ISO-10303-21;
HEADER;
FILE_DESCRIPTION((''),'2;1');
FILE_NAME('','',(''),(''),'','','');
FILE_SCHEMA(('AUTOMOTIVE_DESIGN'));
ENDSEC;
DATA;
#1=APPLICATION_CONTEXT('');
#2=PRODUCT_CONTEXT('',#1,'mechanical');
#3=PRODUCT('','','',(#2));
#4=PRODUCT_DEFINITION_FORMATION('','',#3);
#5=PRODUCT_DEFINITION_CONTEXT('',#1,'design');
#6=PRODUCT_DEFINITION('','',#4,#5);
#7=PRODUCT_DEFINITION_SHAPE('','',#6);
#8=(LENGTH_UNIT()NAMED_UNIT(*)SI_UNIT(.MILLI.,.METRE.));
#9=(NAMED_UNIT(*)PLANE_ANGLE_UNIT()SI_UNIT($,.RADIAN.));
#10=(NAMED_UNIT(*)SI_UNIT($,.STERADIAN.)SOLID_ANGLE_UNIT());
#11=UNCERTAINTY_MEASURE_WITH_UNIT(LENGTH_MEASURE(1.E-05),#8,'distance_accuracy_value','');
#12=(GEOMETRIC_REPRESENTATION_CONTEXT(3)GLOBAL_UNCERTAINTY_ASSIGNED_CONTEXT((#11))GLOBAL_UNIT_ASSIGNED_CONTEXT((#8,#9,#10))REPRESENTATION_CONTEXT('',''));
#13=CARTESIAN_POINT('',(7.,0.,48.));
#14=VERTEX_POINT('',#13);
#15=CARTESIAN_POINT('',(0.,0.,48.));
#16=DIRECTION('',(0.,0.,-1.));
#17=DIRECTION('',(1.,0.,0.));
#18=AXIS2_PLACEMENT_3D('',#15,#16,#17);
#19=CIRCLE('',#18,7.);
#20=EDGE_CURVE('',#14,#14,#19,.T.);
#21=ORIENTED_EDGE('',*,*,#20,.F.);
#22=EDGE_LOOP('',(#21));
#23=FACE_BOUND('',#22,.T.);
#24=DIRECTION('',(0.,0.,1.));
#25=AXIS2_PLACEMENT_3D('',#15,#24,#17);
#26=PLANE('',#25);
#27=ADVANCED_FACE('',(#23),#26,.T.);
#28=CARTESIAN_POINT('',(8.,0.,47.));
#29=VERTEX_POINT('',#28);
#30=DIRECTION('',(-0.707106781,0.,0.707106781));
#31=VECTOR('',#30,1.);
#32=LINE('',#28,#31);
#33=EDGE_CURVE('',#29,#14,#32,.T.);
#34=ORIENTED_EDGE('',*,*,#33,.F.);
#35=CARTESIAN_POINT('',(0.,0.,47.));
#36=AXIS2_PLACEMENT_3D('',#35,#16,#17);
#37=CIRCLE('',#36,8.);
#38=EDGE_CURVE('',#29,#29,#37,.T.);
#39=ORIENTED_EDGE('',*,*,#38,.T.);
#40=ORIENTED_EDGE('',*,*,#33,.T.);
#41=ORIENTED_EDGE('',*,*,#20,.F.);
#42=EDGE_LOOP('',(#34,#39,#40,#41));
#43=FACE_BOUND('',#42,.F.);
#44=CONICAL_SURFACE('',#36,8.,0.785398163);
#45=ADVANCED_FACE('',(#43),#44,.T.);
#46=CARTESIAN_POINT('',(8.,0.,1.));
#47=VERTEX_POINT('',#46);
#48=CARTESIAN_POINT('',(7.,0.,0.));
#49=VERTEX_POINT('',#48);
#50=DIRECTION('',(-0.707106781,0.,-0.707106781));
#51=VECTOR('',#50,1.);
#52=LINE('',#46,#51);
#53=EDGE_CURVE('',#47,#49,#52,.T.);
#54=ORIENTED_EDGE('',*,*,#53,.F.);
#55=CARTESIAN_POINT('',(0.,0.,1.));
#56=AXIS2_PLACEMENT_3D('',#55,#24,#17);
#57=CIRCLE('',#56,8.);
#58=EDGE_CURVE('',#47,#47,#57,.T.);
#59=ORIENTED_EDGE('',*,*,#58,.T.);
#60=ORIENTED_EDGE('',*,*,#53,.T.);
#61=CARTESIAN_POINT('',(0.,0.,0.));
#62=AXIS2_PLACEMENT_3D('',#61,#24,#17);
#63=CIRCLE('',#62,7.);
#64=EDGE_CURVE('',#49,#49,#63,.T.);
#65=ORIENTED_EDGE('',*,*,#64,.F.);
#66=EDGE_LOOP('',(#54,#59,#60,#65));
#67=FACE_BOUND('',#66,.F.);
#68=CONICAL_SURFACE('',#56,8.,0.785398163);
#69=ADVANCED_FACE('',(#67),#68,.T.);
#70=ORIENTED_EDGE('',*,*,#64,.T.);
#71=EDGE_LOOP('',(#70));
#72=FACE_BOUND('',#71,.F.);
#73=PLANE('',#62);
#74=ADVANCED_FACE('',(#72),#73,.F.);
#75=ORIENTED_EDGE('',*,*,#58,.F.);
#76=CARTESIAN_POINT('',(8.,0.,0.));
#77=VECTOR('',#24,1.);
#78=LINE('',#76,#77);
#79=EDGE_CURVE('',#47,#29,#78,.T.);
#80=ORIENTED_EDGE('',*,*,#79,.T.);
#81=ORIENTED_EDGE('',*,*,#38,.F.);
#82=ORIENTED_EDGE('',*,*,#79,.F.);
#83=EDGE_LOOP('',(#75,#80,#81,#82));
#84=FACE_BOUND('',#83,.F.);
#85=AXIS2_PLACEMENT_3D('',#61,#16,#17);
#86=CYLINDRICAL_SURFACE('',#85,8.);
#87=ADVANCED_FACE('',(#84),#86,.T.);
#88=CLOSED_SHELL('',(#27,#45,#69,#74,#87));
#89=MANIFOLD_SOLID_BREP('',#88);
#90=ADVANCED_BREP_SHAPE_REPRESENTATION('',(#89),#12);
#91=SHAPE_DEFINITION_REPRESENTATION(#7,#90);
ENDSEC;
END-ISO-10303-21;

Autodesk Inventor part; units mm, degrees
ref_plane "YZ Plane" through (0, 0, 0) normal (1, 0, 0) x (0, 1, 0)
ref_plane "XZ Plane" through (0, 0, 0) normal (0, 1, 0) x (-1, 0, 0)
ref_plane "XY Plane" through (0, 0, 0) normal (0, 0, 1) x (1, 0, 0)
sketch "Sketch1" plane through (0, 0, 0) normal (0, 0, 1) x (1, 0, 0)
  line L0 (-11.2, 0) -> (11.2, 0) projected
  line L1 (0, -11.2) -> (0, 11.2) projected
  circle A0 centre (0, 0) radius 8
  dimension "d0" = 8
extrude "Extrusion1" add sketch "Sketch1" along normal blind 48
chamfer "Chamfer1" distance 1 angle 45 1 edges at (-8, 0, 48)
chamfer "Chamfer2" distance 1 angle 45 1 edges at (-8, 0, 0)
properties part number "Ax"
